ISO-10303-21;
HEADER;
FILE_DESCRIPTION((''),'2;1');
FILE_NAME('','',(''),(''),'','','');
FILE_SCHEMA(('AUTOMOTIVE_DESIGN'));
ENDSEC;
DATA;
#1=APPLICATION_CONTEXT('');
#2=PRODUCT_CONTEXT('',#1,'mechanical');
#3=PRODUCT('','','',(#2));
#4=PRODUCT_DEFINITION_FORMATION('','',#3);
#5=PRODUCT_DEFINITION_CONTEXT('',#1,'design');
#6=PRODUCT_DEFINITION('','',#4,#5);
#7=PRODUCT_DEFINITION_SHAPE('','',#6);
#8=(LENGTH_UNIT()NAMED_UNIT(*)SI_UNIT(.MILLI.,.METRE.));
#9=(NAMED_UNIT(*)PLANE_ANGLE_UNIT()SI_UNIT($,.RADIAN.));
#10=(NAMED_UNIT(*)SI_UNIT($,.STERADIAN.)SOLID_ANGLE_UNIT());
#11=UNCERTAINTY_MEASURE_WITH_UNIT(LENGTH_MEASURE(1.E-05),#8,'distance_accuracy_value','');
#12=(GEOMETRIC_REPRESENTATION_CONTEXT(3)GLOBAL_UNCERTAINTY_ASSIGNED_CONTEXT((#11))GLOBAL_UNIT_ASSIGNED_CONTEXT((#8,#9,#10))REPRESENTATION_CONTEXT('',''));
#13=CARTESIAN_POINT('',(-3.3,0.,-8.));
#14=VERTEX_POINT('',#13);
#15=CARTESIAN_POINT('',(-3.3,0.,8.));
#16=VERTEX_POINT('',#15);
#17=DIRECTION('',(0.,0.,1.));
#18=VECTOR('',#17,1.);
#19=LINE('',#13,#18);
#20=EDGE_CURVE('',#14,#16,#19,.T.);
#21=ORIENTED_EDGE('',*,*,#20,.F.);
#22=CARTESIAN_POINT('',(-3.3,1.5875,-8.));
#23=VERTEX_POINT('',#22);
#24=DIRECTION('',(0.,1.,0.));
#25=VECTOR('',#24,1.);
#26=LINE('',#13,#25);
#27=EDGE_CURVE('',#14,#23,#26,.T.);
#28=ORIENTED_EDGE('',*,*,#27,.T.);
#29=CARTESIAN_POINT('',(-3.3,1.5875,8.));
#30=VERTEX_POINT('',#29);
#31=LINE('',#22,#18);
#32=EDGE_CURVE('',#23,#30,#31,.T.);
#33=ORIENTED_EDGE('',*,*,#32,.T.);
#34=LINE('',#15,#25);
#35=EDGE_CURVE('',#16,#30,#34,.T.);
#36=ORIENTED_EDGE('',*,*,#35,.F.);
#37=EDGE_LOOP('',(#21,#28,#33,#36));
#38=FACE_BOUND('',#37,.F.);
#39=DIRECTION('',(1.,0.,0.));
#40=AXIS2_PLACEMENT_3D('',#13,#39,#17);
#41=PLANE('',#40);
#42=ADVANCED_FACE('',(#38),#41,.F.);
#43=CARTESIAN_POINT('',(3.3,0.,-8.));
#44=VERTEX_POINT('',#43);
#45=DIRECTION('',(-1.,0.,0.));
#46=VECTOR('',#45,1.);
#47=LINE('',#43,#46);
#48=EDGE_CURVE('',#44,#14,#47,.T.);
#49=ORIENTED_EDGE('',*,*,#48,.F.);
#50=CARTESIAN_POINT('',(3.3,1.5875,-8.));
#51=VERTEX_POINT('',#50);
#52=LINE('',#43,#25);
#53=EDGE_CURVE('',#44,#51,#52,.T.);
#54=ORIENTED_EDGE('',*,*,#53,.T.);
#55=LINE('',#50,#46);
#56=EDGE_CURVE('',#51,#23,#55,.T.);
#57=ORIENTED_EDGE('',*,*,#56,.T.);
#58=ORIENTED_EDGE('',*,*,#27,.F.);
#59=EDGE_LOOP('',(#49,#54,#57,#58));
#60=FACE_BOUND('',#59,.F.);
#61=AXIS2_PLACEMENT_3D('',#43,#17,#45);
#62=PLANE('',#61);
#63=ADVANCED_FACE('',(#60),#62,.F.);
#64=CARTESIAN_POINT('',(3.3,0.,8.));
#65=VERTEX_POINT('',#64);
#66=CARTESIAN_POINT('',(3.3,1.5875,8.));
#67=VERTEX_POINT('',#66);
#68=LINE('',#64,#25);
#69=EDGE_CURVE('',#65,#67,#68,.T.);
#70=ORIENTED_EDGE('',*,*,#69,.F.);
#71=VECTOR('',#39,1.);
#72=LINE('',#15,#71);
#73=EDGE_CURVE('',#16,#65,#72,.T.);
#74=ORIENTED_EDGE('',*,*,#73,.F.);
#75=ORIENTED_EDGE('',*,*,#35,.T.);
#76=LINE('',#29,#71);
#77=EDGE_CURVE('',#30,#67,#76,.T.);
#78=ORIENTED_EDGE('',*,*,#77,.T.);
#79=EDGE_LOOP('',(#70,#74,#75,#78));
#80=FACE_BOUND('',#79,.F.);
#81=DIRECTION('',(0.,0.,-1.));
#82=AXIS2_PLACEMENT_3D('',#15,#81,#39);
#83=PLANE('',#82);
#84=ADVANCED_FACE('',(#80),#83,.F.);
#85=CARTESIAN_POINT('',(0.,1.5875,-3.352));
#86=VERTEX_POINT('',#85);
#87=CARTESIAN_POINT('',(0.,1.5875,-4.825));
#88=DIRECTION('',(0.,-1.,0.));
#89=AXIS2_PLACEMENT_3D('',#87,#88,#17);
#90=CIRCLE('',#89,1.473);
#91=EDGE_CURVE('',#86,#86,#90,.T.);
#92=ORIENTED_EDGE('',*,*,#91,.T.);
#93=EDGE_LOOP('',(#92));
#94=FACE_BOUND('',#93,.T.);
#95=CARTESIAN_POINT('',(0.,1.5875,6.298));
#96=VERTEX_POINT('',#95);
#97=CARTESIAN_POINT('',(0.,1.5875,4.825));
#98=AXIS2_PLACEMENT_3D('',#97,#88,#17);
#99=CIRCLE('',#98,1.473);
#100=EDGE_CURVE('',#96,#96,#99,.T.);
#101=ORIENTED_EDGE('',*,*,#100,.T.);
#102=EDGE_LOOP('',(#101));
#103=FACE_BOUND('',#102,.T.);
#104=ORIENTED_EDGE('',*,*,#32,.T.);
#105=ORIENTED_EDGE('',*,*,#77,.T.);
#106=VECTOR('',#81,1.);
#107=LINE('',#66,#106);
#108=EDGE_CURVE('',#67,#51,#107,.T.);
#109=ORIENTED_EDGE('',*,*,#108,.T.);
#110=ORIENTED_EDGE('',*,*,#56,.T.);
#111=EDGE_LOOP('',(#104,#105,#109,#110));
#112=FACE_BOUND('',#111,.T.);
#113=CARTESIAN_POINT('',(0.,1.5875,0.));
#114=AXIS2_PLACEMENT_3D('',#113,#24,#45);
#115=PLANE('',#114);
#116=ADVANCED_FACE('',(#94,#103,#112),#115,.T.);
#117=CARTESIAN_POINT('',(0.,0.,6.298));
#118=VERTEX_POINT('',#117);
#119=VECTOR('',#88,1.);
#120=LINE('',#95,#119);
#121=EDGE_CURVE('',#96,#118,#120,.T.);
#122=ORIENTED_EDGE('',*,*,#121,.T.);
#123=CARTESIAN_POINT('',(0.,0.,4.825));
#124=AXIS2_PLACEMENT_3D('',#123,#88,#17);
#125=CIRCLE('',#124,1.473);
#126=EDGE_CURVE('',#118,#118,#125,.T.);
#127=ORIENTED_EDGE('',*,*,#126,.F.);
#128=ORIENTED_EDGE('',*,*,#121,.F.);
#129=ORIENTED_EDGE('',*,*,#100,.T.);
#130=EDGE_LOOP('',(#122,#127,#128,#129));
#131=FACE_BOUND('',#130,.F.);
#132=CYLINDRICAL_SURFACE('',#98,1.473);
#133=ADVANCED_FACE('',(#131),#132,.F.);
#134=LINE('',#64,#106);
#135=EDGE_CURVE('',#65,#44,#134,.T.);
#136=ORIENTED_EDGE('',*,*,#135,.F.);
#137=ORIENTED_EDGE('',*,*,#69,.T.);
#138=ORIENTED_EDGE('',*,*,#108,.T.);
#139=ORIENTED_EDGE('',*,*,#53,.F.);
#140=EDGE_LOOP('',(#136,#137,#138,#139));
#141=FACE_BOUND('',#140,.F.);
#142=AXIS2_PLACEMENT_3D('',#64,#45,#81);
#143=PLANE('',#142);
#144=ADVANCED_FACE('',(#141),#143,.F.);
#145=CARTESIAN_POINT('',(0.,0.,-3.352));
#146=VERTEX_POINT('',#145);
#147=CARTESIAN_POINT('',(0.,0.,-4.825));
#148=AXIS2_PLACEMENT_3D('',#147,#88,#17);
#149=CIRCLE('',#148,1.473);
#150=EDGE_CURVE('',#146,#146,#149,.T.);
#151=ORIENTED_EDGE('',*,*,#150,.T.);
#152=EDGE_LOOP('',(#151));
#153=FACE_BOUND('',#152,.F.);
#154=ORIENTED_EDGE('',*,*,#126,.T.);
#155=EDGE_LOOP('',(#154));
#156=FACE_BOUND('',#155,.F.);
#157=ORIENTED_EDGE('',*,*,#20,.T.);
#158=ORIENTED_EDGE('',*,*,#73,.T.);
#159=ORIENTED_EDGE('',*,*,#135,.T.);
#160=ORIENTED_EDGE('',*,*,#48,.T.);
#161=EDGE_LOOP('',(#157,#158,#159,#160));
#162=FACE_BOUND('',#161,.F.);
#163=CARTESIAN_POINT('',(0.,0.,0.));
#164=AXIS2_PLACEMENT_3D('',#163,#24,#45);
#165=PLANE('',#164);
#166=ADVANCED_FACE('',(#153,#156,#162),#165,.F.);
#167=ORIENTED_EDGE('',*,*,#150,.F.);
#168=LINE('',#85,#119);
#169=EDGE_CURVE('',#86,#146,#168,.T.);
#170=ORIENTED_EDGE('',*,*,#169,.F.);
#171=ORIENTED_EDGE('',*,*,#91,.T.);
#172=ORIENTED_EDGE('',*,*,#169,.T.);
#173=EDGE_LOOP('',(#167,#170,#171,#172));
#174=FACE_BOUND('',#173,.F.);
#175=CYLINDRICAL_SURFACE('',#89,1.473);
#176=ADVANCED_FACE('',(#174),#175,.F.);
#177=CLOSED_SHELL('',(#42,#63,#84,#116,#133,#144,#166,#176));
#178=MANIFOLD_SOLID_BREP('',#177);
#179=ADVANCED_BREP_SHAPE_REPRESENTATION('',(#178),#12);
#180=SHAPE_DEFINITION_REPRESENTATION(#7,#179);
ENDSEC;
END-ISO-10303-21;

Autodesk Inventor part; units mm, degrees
ref_plane "YZ Plane" through (0, 0, 0) normal (1, 0, 0) x (0, 1, 0)
ref_plane "XZ Plane" through (0, 0, 0) normal (0, 1, 0) x (-1, 0, 0)
ref_plane "XY Plane" through (0, 0, 0) normal (0, 0, 1) x (1, 0, 0)
sketch "Sketch2" plane through (0, 0, 0) normal (0, 1, 0) x (-1, 0, 0)
  line L0 (3.3, 8) -> (-3.3, 8)
  line L1 (-3.3, 8) -> (-3.3, -8)
  line L2 (-3.3, -8) -> (3.3, -8)
  line L3 (3.3, -8) -> (3.3, 8)
  line L4 (3.3, 8) -> (-3.3, -8) construction
  line L5 (-3.3, 8) -> (3.3, -8) construction
  point P0 (0, 0)
  dimension "d0" = 6.6
  dimension "d1" = 16
extrude "Extrusion1" add sketch "Sketch2" along normal blind 1.5875
sketch "Sketch3" plane through (0, 1.5875, 0) normal (0, 1, 0) x (1, 0, 0)
  line L0 (-3.3, -8) -> (3.3, -8) projected
  line L1 (3.3, 8) -> (-3.3, 8) projected
  point P0 (0, 0)
  point P1 (0, 4.825)
  point P2 (0, -4.825)
hole "Hole1" at (0, 1.5875, -4.825) at (0, 1.5875, 4.825) direction (0, -1, 0) diameter 2.946 end through all clearance for "Flat Head Machine Screw (82)" size "#4" standard "Ansi Unified Screw Threads"
properties part number "graphite_ledgereod"
